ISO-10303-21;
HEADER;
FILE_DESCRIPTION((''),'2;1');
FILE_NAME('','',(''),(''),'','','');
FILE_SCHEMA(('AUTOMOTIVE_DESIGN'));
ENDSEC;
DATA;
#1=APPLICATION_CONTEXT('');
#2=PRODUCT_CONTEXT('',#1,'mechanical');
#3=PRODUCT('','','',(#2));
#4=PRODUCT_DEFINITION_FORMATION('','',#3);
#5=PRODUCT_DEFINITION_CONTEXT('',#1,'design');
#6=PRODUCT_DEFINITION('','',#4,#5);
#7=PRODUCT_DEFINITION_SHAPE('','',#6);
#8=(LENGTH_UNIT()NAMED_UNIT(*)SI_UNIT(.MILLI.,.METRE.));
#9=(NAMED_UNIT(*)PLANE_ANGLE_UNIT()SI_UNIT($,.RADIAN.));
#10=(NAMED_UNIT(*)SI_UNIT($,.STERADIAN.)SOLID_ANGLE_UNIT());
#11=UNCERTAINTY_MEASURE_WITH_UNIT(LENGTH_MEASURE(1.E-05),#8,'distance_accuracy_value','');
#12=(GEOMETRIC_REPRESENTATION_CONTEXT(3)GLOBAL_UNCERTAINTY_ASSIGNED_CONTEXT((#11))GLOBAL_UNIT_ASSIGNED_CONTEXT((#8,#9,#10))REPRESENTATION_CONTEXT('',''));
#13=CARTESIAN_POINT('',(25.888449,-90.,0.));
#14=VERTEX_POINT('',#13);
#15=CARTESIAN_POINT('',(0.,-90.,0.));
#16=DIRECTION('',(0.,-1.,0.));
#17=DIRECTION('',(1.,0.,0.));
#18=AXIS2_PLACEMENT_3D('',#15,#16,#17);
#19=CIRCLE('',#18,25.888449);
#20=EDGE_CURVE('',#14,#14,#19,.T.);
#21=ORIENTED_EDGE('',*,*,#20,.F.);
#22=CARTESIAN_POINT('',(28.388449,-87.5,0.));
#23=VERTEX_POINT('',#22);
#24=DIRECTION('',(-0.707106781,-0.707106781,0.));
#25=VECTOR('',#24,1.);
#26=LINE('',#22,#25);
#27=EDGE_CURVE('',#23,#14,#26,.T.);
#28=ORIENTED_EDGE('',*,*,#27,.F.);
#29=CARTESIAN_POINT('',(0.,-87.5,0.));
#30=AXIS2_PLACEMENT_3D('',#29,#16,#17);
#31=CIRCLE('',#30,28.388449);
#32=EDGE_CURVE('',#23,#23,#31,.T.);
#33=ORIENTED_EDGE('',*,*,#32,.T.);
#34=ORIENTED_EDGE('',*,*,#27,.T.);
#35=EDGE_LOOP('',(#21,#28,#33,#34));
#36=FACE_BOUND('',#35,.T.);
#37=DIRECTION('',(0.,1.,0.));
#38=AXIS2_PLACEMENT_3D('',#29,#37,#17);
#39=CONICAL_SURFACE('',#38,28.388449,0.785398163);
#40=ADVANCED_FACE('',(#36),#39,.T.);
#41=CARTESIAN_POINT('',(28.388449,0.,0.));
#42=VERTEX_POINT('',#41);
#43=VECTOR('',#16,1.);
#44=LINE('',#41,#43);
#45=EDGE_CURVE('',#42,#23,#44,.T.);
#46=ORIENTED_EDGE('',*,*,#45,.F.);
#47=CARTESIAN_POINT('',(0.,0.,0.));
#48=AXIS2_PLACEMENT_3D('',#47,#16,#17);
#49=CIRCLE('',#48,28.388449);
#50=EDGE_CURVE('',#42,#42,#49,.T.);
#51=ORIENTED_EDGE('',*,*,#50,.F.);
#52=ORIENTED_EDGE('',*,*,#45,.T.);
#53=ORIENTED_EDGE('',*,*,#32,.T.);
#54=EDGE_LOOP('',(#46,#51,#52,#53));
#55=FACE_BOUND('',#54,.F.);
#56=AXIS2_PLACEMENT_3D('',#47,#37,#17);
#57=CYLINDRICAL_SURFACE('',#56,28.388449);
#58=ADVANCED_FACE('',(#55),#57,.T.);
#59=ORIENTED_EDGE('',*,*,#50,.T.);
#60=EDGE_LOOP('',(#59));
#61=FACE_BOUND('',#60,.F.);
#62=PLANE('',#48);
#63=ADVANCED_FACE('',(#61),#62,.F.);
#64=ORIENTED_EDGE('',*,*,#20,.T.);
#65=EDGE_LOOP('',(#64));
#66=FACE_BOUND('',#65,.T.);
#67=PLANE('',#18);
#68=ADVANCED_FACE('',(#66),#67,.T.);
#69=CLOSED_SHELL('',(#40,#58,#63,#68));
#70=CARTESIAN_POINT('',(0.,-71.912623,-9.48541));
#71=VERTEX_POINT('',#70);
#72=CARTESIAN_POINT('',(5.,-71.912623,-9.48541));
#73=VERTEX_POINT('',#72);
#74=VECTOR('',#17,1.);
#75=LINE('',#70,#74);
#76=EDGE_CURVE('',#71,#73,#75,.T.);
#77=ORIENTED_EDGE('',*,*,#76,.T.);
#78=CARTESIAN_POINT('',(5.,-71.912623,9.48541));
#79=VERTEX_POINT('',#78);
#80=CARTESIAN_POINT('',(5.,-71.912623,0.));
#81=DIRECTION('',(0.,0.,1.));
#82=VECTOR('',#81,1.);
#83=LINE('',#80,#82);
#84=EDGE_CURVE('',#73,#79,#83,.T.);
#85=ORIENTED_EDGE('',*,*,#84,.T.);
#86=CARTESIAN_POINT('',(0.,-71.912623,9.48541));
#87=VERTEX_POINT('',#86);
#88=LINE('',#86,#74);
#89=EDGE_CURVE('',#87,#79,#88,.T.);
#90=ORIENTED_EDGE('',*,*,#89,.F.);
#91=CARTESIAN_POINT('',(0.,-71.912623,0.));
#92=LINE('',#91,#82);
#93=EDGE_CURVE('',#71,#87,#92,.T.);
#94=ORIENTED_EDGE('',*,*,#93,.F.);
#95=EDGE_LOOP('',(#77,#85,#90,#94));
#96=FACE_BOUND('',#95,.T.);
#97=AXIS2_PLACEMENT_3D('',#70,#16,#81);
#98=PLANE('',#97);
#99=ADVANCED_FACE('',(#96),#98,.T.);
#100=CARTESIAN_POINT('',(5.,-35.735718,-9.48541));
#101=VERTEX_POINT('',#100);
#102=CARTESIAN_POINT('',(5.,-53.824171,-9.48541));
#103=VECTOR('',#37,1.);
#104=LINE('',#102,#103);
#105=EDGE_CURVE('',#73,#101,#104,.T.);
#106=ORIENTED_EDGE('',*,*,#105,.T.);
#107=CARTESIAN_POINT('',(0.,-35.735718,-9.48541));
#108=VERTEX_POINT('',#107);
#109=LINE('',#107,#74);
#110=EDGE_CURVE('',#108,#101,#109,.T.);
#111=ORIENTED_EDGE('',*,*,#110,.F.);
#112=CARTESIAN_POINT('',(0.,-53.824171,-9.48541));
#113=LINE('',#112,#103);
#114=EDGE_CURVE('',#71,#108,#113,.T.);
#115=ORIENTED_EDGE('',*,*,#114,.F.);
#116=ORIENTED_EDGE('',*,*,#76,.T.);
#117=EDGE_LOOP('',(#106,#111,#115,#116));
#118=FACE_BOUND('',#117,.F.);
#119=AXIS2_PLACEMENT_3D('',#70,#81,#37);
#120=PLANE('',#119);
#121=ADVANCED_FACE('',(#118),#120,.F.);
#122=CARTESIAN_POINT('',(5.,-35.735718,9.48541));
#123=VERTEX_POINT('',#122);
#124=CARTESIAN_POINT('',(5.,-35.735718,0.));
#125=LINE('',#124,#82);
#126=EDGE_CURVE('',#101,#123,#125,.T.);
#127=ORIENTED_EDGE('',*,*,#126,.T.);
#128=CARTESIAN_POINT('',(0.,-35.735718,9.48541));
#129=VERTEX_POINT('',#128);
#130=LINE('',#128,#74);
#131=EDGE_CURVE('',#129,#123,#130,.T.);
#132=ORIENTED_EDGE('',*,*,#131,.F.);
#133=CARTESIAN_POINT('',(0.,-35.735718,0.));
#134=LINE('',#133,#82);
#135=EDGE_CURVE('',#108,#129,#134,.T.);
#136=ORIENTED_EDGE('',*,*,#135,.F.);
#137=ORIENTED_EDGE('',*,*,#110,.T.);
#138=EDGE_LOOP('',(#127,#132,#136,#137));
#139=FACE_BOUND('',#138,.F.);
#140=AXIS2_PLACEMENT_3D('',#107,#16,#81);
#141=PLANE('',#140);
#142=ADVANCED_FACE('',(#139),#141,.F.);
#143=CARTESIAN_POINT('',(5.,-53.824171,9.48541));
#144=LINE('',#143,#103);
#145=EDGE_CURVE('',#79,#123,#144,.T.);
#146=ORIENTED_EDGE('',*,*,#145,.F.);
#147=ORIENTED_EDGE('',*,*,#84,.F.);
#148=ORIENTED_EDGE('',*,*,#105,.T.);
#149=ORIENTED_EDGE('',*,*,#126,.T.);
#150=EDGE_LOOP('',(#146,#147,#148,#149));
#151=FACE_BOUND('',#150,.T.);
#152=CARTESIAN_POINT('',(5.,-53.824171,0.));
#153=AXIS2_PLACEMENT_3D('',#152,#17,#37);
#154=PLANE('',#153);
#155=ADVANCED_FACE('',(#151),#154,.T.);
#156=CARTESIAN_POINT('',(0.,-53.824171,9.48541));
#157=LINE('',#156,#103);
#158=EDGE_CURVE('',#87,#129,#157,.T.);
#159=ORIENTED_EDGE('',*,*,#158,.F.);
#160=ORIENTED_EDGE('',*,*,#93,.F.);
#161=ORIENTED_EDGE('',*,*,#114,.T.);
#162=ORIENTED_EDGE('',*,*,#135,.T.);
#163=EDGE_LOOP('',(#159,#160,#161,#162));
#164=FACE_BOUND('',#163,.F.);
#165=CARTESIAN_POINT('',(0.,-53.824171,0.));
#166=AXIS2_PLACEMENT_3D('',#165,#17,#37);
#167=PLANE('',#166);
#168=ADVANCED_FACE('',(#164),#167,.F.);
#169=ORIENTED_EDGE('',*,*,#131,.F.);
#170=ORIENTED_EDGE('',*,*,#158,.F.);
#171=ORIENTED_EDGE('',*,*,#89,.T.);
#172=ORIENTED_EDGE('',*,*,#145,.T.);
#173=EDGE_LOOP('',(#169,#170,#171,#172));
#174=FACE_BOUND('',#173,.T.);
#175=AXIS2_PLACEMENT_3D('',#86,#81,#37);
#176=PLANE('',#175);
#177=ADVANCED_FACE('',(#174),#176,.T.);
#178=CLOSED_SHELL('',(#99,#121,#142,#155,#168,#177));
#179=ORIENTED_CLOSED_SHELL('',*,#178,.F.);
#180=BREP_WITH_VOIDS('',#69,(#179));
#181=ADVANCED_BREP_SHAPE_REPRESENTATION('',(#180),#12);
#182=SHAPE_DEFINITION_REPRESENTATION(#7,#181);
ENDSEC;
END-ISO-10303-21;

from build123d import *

# Parameters (mm, degrees)
F0_R     = 28.388449
F1_DEPTH = 90
F2_SIZE  = 2.5
F3_W     = 36.176905
F3_H     = 18.97082
F4_DEPTH = 5


with BuildPart() as f1:
    # F0 (on Front) → F1 (new body)
    with BuildSketch(Plane.XZ):
        Circle(F0_R)
    extrude(amount=F1_DEPTH)

    # F2
    f2_edges = [f1.edges().sort_by_distance(p)[0] for p in [
        (-28.388449, -90, 0),
    ]]
    chamfer(f2_edges, length=F2_SIZE)

    # F3 (on Right) → F4 (cut)
    with BuildSketch(Plane.YZ):
        with Locations((-53.824171, 0)):
            Rectangle(F3_W, F3_H)
    extrude(amount=F4_DEPTH, mode=Mode.SUBTRACT)


solid = f1.part
